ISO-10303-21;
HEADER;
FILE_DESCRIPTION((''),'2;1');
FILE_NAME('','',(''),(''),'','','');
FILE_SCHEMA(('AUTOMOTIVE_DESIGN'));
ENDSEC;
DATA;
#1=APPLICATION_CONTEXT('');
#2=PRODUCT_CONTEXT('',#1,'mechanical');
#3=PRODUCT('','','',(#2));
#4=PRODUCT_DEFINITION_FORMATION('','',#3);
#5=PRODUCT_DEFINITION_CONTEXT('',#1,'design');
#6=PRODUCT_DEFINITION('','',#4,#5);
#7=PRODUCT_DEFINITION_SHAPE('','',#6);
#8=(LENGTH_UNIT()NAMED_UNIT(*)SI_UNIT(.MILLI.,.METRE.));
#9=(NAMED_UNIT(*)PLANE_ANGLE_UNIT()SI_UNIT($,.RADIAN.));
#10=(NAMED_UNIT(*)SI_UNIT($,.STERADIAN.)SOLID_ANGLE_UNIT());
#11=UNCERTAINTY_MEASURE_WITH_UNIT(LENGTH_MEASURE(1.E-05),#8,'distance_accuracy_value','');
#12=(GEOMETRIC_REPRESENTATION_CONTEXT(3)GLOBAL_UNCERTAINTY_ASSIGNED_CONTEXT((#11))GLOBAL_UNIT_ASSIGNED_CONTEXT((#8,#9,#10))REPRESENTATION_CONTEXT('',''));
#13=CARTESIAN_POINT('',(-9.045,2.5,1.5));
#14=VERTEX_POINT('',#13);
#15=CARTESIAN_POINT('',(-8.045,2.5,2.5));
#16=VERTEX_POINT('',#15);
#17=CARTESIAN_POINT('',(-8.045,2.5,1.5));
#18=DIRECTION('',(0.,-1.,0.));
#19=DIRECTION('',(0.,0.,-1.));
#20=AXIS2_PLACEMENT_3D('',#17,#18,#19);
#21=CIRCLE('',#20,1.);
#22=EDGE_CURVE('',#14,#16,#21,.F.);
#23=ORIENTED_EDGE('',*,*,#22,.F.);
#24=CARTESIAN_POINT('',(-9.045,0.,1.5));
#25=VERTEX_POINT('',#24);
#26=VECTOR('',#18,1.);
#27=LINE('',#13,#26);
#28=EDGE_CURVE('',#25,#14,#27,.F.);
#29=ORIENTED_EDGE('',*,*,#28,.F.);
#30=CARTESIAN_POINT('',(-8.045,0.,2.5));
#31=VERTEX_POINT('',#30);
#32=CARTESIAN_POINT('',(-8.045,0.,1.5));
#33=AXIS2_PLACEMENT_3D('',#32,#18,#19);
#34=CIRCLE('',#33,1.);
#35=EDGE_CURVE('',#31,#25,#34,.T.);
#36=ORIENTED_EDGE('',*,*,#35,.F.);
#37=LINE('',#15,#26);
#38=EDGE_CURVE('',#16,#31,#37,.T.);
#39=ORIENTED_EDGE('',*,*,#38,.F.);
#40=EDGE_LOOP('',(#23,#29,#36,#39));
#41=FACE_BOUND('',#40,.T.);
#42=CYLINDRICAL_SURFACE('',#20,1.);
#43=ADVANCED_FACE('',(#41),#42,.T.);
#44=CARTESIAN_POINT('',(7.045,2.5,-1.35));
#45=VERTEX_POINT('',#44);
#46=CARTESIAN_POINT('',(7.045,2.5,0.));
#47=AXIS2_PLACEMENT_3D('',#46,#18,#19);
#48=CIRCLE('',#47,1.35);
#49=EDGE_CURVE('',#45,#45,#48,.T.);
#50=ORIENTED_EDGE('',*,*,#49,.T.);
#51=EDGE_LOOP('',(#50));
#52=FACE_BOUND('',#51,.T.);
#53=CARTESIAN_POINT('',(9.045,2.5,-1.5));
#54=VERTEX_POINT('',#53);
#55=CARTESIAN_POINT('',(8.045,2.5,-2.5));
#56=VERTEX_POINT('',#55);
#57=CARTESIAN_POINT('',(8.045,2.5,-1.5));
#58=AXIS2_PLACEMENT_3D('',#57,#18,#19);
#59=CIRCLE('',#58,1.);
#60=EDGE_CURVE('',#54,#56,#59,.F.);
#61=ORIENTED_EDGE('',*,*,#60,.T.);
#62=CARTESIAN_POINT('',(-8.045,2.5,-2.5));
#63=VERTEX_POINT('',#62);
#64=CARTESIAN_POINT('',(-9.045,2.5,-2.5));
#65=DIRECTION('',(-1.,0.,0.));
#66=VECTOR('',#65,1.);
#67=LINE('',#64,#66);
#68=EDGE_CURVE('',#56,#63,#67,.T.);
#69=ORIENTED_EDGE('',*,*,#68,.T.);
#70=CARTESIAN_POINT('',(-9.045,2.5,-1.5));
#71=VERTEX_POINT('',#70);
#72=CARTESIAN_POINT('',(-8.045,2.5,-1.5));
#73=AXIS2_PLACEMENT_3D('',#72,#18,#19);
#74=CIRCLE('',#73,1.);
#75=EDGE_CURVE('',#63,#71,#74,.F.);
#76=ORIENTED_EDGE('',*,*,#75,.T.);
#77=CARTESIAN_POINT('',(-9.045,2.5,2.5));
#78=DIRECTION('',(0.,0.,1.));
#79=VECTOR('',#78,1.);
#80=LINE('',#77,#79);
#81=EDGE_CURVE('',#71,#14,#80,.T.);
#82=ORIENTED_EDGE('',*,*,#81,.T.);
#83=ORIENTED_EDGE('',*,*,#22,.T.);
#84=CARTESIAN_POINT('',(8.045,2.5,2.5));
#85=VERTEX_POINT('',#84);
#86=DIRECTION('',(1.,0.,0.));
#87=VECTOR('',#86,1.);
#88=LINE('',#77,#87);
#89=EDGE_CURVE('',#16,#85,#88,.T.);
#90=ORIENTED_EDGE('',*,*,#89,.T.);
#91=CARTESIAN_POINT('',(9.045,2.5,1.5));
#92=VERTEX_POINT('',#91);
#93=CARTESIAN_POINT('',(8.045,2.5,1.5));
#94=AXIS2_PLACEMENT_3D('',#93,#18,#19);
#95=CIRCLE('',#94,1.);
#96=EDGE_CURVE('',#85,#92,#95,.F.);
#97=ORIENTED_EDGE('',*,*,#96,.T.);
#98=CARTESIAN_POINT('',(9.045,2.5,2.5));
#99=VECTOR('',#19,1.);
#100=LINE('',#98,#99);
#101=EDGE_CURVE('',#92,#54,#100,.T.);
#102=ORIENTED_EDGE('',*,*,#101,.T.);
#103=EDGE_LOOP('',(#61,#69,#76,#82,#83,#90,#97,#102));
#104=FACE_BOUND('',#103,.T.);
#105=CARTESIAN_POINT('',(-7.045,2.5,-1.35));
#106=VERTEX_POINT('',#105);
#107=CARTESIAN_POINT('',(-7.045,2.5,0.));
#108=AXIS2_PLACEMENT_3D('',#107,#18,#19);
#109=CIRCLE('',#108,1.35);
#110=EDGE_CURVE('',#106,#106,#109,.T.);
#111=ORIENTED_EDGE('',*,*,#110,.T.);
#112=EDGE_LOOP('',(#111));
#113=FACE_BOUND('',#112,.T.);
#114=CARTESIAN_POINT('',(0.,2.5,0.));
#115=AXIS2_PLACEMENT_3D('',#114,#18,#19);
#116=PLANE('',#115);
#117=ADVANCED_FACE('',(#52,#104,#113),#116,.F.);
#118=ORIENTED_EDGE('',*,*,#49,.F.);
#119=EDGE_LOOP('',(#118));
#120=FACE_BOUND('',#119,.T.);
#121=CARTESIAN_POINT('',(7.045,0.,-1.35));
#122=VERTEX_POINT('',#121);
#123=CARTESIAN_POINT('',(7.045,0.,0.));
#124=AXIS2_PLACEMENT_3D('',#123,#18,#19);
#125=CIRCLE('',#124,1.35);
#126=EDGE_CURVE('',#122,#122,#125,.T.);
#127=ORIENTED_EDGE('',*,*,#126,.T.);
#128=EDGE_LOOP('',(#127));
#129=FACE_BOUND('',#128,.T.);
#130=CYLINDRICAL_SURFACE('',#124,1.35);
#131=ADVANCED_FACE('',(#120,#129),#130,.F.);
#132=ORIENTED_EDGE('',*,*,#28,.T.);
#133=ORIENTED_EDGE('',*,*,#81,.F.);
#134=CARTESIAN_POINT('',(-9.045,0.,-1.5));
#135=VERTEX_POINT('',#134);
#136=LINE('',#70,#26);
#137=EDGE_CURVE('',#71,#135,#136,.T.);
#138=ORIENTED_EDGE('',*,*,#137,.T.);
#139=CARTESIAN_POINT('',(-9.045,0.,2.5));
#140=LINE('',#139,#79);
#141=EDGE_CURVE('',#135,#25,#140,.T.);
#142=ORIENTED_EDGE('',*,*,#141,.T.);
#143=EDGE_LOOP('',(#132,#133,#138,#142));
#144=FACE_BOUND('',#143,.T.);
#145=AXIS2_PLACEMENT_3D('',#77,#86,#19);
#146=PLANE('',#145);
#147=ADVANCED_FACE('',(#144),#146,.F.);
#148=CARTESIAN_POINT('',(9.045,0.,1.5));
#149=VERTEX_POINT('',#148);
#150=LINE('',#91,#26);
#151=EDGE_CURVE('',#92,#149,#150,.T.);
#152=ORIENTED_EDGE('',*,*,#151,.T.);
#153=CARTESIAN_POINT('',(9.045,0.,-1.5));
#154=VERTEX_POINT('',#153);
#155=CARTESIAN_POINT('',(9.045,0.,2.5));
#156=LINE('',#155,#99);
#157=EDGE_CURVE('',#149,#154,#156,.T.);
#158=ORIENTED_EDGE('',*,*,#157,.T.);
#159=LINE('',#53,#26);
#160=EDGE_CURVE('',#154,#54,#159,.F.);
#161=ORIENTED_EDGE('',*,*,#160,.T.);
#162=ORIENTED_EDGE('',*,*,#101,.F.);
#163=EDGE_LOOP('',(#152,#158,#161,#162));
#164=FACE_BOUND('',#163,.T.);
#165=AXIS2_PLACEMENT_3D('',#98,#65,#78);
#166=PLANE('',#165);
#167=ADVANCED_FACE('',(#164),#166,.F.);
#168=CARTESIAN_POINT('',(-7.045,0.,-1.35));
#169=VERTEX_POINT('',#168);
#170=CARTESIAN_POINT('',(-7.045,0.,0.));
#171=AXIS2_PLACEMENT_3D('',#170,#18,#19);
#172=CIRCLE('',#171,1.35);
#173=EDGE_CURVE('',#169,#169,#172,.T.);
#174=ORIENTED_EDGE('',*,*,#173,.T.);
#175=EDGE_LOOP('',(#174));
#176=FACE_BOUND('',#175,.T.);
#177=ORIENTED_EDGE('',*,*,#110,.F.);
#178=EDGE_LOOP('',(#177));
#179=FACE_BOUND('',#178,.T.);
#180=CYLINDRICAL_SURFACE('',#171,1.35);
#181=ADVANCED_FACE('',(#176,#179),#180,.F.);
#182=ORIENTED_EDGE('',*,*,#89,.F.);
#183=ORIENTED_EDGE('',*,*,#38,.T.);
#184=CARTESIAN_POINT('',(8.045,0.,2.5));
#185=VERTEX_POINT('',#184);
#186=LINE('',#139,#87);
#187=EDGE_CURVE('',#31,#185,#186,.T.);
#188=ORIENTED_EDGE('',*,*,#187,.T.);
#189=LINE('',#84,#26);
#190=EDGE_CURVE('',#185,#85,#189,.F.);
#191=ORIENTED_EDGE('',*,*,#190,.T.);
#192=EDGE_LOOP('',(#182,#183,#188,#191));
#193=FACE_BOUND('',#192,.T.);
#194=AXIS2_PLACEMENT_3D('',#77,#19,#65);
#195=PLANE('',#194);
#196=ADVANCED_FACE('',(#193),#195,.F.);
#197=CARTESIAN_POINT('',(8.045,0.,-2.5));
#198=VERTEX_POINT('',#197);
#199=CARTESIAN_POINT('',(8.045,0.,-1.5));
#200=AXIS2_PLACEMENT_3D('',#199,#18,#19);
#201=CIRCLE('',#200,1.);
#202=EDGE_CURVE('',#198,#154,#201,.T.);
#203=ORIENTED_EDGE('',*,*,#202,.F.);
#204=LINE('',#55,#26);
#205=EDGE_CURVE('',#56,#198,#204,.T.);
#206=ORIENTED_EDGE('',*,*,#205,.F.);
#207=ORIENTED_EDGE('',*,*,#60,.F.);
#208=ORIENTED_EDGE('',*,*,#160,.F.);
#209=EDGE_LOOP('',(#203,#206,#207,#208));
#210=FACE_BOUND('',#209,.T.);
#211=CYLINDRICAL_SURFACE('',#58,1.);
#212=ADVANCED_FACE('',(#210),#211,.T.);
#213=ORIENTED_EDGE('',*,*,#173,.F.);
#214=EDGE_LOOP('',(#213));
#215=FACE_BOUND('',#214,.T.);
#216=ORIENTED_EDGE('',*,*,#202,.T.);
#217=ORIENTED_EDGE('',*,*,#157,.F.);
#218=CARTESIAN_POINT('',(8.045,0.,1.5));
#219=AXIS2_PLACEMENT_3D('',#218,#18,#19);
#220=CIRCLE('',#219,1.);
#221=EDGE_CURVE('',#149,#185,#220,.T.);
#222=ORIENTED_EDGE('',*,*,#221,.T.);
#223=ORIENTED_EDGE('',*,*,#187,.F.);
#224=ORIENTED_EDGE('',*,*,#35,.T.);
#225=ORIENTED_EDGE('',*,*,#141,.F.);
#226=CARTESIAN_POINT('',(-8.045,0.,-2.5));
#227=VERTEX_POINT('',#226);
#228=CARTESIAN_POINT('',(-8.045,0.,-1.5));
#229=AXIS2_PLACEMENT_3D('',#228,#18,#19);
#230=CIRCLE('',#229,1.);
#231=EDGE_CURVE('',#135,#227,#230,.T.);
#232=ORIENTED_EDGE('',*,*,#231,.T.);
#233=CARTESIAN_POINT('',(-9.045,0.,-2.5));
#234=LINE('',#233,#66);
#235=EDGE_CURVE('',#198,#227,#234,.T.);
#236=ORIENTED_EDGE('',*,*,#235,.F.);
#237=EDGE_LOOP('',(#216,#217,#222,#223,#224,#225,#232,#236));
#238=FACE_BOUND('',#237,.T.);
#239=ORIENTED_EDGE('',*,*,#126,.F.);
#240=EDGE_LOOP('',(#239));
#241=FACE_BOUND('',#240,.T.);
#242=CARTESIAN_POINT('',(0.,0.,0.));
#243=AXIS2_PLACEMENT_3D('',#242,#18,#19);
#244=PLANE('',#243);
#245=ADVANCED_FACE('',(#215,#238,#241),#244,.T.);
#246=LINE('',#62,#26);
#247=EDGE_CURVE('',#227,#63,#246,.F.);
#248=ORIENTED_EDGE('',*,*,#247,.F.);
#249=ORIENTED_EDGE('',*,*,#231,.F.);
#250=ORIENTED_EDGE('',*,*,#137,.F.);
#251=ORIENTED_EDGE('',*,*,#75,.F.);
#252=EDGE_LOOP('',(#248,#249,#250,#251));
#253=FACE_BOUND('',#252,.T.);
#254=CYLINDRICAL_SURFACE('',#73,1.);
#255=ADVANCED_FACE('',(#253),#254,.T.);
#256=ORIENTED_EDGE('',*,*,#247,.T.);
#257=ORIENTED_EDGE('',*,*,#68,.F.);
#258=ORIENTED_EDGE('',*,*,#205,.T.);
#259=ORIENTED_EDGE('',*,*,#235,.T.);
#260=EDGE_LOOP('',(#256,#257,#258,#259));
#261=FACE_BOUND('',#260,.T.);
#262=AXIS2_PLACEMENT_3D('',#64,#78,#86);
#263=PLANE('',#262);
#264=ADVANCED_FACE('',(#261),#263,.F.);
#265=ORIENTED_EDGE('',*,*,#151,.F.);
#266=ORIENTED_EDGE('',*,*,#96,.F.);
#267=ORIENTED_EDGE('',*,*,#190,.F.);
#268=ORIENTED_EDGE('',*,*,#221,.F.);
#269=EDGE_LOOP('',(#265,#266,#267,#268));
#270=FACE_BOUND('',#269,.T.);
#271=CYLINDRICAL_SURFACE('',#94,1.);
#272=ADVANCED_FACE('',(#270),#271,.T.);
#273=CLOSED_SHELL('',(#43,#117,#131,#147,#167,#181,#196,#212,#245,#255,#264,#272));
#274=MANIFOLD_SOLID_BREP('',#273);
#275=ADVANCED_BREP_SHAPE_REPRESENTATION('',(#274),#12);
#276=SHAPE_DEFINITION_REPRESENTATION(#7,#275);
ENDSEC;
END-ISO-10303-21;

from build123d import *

# Parameters (mm, degrees)
SKETCH1_W              = 18.09
SKETCH1_H              = 5
BOSS_EXTRUDE1_DEPTH    = 2.5
M2_5_CLEARANCE_HOLE1_D = 2.7
FILLET1_R              = 1


with BuildPart() as part:
    # Sketch1 → Boss-Extrude1 (new body)
    with BuildSketch(Plane(origin=(0, 0, 0), x_dir=(1, 0, 0), z_dir=(0, 1, 0))):
        Rectangle(SKETCH1_W, SKETCH1_H)
    extrude(amount=BOSS_EXTRUDE1_DEPTH)

    # M2.5 Clearance Hole1 (through all)
    with Locations(Plane(origin=(0, 0, 0), x_dir=(-1, 0, 0), z_dir=(0, -1, 0))):
        with Locations((-7.045, 0), (7.045, 0)):
            Hole(M2_5_CLEARANCE_HOLE1_D / 2)

    # Fillet1
    fillet1_edges = [part.edges().sort_by_distance(p)[0] for p in [
        (9.045, 1.25, 2.5),
        (-9.045, 1.25, 2.5),
        (-9.045, 1.25, -2.5),
        (9.045, 1.25, -2.5),
    ]]
    fillet(fillet1_edges, radius=FILLET1_R)


solid = part.part
